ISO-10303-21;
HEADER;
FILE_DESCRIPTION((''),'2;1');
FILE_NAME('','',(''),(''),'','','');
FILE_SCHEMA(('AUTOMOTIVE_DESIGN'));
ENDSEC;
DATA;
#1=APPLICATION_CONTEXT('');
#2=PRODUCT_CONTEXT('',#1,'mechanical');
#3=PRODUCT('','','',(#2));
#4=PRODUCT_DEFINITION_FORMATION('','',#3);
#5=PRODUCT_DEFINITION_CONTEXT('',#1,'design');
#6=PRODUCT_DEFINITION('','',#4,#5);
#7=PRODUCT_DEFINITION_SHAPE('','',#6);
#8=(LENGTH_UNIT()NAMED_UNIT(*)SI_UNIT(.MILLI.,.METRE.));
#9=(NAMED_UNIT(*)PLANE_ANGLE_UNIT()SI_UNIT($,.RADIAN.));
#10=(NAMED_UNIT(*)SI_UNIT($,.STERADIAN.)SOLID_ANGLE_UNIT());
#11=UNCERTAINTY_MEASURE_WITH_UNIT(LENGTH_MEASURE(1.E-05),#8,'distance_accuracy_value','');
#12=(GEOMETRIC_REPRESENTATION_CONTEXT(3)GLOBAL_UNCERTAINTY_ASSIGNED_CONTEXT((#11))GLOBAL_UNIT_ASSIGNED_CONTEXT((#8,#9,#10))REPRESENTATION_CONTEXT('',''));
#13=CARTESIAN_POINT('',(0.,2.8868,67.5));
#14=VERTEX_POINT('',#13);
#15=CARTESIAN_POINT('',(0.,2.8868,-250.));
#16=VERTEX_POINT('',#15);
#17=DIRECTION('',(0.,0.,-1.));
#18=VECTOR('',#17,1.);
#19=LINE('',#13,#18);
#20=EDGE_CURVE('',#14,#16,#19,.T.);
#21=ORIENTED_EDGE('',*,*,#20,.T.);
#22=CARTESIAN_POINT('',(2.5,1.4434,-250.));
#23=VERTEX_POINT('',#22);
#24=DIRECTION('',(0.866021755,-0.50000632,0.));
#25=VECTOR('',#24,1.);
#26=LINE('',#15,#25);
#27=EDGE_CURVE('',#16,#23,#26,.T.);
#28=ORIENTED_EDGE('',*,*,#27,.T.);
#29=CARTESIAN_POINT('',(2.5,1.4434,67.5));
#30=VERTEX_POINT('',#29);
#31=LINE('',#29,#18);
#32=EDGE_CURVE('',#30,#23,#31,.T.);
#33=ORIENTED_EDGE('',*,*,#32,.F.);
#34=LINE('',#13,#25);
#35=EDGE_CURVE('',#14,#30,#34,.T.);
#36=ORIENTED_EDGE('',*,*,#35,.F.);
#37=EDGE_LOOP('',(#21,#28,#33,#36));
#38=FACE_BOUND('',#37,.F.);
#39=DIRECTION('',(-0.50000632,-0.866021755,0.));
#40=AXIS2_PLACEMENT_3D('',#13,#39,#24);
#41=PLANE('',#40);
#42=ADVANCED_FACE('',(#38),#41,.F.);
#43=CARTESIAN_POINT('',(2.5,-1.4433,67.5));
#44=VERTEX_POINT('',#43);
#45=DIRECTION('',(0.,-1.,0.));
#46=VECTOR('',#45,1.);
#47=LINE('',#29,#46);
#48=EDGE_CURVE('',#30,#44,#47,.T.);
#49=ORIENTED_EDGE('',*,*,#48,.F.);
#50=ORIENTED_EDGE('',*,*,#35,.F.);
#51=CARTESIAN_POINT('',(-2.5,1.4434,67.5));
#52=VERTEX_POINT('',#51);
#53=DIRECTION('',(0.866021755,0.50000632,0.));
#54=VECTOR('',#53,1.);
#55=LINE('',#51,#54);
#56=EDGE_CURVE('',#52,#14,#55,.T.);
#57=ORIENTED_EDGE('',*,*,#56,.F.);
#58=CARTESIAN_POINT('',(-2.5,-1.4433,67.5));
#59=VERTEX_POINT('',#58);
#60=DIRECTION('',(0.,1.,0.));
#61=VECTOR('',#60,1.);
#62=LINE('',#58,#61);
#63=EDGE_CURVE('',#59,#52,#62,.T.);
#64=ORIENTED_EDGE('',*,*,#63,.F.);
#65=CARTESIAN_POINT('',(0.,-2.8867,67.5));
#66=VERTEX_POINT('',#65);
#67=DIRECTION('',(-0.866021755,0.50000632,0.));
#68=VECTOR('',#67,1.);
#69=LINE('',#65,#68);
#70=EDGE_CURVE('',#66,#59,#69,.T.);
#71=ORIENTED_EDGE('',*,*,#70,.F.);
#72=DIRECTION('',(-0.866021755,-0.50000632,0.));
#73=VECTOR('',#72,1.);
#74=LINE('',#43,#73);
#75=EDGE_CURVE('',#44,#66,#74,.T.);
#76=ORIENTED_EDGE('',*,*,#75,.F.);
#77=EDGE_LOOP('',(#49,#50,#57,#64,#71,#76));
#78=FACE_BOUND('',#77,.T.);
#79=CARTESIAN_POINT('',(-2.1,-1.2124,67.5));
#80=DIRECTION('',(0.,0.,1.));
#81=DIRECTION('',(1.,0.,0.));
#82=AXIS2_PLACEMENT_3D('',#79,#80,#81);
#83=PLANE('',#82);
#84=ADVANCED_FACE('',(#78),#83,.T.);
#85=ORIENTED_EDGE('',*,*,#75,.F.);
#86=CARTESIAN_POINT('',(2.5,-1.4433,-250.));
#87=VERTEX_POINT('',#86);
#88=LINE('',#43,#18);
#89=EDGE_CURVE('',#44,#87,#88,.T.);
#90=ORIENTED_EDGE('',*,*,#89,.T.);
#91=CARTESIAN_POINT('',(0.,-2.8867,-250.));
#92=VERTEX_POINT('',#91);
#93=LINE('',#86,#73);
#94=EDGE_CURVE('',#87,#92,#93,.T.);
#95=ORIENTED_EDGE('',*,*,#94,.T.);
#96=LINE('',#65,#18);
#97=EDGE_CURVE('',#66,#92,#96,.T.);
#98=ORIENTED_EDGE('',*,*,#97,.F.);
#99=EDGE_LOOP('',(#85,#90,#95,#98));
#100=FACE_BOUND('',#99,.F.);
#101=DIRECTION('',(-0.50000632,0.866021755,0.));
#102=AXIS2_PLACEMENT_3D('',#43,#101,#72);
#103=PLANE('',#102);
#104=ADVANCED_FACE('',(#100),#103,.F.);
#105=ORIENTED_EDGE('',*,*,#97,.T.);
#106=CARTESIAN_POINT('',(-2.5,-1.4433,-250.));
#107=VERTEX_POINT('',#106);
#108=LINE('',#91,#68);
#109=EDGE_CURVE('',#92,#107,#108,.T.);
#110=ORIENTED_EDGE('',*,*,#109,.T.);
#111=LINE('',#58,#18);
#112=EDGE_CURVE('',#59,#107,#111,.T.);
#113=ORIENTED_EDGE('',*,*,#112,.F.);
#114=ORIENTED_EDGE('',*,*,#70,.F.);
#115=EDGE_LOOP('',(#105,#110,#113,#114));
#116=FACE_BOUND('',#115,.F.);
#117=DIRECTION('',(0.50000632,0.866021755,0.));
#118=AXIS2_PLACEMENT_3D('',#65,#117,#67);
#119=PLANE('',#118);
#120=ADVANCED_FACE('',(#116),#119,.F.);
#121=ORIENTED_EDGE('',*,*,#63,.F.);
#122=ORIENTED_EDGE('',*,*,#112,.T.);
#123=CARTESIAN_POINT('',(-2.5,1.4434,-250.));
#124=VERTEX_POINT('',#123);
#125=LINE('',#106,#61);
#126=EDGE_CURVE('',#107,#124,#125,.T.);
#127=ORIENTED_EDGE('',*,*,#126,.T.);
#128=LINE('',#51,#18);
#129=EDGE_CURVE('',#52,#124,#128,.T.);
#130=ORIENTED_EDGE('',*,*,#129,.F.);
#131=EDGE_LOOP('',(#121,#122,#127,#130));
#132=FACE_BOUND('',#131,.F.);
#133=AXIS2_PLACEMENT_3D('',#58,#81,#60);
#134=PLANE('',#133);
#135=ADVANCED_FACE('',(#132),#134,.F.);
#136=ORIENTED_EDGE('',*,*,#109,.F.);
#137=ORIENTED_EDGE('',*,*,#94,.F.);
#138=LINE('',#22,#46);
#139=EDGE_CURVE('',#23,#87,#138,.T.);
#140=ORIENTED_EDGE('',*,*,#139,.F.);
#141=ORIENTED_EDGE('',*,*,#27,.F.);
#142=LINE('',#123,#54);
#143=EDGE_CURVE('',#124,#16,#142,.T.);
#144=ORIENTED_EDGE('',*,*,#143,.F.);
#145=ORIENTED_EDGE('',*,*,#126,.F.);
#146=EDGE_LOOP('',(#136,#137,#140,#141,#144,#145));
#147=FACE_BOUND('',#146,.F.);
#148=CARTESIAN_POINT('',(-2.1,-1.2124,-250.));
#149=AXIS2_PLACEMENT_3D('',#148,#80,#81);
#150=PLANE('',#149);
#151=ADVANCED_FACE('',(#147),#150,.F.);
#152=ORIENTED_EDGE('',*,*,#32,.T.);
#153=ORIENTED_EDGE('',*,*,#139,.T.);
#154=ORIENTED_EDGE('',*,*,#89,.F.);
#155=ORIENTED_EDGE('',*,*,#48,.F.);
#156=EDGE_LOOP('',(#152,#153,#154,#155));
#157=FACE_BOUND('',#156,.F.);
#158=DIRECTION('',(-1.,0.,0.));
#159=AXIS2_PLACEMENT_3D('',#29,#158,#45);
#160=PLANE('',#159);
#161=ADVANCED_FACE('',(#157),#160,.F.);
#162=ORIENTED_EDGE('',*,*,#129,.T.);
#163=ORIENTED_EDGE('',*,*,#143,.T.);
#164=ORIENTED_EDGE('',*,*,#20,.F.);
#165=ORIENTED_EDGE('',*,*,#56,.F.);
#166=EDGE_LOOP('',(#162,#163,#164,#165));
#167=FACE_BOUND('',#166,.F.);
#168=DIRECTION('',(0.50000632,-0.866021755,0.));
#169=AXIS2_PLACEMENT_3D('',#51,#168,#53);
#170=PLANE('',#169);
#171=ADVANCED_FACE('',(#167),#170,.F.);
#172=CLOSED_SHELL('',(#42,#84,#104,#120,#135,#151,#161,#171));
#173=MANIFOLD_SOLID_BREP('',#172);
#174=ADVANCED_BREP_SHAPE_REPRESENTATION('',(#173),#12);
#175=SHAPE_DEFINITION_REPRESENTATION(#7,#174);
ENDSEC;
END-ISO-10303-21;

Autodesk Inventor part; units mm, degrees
ref_plane "YZ Plane" through (0, 0, 0) normal (1, 0, 0) x (0, 1, 0)
ref_plane "XZ Plane" through (0, 0, 0) normal (0, 1, 0) x (-1, 0, 0)
ref_plane "XY Plane" through (0, 0, 0) normal (0, 0, 1) x (1, 0, 0)
sketch "Sketch1" plane through (-2.1, -1.2124, 67.5) normal (0, 0, 1) x (1, 0, 0)
  line L0 (2.1, 4.0992) -> (4.6, 2.6558) projected
  line L1 (2.1, 3.6373) -> (0, 2.4249) projected
  line L2 (-0.4, 2.6558) -> (2.1, 4.0992) projected
  line L3 (-0.4, -0.2309) -> (-0.4, 2.6558) projected
  line L4 (2.1, -1.6743) -> (-0.4, -0.2309) projected
  line L5 (4.6, -0.2309) -> (2.1, -1.6743) projected
  line L6 (4.6, 2.6558) -> (4.6, -0.2309) projected
  point P0 (2.1, 1.2124)
extrude "Extrusion1" add sketch "Sketch1" against normal blind 317.5
sketch "Sketch2" plane through (-2.1, -1.2124, -250) normal (0, 0, -1) x (1, 0, 0)
  point P0 (2.1, -1.2124)
  point P1 (2.1, -1.2124)
properties part number "5mm axel"
